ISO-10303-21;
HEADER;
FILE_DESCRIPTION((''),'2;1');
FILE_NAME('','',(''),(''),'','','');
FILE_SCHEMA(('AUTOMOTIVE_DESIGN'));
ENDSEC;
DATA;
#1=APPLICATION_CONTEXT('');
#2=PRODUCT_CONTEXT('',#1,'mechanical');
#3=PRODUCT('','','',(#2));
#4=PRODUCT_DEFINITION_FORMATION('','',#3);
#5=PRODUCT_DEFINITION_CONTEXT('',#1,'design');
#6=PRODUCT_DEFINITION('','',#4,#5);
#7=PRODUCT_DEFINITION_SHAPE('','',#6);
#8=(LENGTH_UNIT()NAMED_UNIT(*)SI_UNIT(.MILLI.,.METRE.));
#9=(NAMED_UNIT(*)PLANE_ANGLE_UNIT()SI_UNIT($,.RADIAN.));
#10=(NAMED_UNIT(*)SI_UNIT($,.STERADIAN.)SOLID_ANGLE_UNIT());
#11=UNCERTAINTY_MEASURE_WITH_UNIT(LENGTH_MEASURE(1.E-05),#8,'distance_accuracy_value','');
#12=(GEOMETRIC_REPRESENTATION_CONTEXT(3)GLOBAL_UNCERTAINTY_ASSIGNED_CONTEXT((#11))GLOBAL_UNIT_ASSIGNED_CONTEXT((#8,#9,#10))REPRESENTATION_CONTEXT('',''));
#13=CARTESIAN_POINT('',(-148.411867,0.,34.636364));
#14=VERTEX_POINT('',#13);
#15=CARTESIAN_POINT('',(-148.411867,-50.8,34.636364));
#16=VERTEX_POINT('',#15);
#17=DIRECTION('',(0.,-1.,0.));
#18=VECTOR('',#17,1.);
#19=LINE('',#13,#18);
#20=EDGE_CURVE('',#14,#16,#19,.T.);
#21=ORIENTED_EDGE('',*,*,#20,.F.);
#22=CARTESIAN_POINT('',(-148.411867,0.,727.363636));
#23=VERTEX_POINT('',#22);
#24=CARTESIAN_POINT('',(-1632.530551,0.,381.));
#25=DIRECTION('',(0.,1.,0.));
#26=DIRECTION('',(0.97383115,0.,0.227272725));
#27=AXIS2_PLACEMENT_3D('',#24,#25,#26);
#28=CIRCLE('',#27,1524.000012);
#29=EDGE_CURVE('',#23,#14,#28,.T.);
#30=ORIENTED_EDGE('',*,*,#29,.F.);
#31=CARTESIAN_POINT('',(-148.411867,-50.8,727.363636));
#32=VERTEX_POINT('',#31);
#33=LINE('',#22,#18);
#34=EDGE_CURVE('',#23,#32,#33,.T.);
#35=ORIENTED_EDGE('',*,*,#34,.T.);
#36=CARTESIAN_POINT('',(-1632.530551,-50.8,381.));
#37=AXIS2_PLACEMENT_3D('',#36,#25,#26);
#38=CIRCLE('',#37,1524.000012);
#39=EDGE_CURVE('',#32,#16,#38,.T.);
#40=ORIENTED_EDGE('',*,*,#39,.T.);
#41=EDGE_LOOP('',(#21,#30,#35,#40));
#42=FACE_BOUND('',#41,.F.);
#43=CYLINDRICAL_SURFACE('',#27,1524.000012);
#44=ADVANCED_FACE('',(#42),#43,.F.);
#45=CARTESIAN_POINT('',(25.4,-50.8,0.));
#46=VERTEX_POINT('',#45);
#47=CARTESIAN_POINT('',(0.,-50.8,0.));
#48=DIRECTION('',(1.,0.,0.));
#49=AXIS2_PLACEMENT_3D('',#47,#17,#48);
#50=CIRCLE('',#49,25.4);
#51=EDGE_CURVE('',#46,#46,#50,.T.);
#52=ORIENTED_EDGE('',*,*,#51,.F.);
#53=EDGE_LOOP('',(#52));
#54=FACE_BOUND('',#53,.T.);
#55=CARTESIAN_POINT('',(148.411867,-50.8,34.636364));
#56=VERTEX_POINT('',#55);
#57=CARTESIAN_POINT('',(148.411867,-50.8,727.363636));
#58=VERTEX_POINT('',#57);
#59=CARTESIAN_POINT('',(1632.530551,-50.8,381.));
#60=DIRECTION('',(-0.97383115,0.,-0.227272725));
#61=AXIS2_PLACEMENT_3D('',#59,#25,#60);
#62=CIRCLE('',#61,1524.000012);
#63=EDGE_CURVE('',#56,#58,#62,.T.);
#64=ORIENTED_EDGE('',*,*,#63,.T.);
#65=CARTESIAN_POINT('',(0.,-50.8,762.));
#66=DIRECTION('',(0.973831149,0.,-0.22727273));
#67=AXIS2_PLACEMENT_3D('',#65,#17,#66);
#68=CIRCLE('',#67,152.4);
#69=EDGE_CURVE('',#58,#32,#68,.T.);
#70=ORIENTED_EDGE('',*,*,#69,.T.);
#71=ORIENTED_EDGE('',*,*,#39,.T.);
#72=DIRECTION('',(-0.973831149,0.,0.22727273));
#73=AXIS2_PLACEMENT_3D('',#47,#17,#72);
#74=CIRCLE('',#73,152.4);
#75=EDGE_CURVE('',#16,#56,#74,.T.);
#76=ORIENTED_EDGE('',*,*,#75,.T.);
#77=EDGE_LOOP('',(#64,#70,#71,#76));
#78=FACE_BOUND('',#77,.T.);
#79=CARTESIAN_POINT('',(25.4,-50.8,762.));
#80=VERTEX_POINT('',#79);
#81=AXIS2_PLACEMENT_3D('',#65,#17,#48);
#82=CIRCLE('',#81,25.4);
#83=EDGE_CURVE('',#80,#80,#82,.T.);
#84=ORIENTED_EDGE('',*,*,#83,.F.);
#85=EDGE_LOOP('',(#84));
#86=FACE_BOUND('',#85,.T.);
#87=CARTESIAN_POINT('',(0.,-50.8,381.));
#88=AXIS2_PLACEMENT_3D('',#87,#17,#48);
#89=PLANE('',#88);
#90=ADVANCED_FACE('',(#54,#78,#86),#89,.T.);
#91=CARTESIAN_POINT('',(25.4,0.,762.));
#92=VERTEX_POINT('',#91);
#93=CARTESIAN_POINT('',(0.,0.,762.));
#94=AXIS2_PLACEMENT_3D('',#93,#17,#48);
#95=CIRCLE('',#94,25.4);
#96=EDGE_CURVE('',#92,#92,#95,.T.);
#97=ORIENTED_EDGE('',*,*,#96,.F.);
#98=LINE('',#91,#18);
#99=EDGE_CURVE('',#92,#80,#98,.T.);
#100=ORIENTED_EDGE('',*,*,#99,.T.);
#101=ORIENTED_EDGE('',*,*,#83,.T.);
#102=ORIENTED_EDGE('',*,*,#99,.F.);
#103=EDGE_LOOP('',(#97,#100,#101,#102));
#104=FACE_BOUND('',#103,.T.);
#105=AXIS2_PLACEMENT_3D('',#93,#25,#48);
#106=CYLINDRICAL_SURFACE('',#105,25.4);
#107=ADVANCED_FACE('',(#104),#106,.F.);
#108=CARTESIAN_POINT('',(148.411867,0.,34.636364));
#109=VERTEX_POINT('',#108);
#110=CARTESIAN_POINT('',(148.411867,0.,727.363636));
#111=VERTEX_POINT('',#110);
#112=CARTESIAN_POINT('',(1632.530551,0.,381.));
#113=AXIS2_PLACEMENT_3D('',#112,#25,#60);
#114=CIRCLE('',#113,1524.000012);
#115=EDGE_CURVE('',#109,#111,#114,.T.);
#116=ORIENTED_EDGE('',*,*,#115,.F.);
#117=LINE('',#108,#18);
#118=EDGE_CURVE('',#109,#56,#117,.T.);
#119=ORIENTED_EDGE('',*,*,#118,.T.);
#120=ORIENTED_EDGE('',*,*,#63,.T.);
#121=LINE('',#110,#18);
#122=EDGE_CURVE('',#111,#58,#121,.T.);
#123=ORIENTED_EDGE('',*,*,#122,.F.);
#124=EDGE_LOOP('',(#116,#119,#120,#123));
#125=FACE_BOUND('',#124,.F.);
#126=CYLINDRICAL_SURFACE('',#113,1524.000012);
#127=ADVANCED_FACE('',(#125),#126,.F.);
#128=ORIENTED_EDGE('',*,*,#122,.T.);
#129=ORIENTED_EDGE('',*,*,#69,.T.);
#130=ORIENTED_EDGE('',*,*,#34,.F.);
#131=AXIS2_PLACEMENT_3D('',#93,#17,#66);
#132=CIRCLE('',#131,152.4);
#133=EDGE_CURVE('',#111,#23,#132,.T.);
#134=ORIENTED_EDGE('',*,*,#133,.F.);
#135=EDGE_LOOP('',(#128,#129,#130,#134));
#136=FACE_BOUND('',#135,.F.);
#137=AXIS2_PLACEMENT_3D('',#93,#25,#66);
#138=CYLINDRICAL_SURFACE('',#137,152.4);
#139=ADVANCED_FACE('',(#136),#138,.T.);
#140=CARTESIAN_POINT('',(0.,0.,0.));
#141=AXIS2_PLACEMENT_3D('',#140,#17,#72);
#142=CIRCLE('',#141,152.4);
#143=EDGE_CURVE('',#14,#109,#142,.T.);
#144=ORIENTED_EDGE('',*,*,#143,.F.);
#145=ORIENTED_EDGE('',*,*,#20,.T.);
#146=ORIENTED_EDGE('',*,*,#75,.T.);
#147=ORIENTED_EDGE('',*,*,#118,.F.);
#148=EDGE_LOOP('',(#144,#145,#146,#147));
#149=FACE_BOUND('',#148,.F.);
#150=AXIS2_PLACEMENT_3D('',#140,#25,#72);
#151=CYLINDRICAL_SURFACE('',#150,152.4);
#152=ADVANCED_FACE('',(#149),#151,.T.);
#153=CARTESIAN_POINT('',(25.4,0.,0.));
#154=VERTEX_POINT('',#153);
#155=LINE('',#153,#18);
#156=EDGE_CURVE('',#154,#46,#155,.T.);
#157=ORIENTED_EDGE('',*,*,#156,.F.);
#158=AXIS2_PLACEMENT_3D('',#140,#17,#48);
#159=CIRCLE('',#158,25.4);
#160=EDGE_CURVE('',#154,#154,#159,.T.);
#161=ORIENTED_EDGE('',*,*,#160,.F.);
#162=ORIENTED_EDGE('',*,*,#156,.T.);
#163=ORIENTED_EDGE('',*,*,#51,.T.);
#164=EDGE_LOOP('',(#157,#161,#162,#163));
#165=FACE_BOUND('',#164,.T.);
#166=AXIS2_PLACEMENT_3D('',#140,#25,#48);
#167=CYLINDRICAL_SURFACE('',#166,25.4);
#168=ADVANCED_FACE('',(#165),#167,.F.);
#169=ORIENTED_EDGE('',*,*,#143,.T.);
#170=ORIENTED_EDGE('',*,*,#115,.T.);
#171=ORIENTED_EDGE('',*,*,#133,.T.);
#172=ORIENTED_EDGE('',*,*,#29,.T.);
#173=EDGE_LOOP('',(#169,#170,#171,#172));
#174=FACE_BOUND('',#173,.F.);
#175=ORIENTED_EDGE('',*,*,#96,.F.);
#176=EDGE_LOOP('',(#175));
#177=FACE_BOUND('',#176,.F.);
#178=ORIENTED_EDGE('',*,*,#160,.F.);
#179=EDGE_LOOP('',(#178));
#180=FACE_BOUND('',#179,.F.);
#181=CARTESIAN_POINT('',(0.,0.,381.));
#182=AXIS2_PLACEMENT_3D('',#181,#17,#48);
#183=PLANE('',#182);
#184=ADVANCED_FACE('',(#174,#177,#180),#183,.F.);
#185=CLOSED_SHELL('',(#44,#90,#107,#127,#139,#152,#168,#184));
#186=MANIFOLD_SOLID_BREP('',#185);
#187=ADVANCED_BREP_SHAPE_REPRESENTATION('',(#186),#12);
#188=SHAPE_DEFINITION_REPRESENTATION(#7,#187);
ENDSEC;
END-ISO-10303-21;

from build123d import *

# Parameters (mm, degrees)
F0_R     = 25.4
F1_DEPTH = 50.8


with BuildPart() as f1:
    # F0 (on Front) → F1 (new body)
    with BuildSketch(Plane.XZ):
        with BuildLine():
            ThreePointArc((-148.411867, 727.363636), (-108.530539, 381), (-148.411867, 34.636364))
            ThreePointArc((-148.411867, 34.636364), (0, -152.4), (148.411867, 34.636364))
            ThreePointArc((148.411867, 34.636364), (108.530539, 381), (148.411867, 727.363636))
            ThreePointArc((148.411867, 727.363636), (0, 914.4), (-148.411867, 727.363636))
        make_face()
        Circle(F0_R, mode=Mode.SUBTRACT)
        with Locations((0, 762)):
            Circle(F0_R, mode=Mode.SUBTRACT)
    extrude(amount=F1_DEPTH)


solid = f1.part
